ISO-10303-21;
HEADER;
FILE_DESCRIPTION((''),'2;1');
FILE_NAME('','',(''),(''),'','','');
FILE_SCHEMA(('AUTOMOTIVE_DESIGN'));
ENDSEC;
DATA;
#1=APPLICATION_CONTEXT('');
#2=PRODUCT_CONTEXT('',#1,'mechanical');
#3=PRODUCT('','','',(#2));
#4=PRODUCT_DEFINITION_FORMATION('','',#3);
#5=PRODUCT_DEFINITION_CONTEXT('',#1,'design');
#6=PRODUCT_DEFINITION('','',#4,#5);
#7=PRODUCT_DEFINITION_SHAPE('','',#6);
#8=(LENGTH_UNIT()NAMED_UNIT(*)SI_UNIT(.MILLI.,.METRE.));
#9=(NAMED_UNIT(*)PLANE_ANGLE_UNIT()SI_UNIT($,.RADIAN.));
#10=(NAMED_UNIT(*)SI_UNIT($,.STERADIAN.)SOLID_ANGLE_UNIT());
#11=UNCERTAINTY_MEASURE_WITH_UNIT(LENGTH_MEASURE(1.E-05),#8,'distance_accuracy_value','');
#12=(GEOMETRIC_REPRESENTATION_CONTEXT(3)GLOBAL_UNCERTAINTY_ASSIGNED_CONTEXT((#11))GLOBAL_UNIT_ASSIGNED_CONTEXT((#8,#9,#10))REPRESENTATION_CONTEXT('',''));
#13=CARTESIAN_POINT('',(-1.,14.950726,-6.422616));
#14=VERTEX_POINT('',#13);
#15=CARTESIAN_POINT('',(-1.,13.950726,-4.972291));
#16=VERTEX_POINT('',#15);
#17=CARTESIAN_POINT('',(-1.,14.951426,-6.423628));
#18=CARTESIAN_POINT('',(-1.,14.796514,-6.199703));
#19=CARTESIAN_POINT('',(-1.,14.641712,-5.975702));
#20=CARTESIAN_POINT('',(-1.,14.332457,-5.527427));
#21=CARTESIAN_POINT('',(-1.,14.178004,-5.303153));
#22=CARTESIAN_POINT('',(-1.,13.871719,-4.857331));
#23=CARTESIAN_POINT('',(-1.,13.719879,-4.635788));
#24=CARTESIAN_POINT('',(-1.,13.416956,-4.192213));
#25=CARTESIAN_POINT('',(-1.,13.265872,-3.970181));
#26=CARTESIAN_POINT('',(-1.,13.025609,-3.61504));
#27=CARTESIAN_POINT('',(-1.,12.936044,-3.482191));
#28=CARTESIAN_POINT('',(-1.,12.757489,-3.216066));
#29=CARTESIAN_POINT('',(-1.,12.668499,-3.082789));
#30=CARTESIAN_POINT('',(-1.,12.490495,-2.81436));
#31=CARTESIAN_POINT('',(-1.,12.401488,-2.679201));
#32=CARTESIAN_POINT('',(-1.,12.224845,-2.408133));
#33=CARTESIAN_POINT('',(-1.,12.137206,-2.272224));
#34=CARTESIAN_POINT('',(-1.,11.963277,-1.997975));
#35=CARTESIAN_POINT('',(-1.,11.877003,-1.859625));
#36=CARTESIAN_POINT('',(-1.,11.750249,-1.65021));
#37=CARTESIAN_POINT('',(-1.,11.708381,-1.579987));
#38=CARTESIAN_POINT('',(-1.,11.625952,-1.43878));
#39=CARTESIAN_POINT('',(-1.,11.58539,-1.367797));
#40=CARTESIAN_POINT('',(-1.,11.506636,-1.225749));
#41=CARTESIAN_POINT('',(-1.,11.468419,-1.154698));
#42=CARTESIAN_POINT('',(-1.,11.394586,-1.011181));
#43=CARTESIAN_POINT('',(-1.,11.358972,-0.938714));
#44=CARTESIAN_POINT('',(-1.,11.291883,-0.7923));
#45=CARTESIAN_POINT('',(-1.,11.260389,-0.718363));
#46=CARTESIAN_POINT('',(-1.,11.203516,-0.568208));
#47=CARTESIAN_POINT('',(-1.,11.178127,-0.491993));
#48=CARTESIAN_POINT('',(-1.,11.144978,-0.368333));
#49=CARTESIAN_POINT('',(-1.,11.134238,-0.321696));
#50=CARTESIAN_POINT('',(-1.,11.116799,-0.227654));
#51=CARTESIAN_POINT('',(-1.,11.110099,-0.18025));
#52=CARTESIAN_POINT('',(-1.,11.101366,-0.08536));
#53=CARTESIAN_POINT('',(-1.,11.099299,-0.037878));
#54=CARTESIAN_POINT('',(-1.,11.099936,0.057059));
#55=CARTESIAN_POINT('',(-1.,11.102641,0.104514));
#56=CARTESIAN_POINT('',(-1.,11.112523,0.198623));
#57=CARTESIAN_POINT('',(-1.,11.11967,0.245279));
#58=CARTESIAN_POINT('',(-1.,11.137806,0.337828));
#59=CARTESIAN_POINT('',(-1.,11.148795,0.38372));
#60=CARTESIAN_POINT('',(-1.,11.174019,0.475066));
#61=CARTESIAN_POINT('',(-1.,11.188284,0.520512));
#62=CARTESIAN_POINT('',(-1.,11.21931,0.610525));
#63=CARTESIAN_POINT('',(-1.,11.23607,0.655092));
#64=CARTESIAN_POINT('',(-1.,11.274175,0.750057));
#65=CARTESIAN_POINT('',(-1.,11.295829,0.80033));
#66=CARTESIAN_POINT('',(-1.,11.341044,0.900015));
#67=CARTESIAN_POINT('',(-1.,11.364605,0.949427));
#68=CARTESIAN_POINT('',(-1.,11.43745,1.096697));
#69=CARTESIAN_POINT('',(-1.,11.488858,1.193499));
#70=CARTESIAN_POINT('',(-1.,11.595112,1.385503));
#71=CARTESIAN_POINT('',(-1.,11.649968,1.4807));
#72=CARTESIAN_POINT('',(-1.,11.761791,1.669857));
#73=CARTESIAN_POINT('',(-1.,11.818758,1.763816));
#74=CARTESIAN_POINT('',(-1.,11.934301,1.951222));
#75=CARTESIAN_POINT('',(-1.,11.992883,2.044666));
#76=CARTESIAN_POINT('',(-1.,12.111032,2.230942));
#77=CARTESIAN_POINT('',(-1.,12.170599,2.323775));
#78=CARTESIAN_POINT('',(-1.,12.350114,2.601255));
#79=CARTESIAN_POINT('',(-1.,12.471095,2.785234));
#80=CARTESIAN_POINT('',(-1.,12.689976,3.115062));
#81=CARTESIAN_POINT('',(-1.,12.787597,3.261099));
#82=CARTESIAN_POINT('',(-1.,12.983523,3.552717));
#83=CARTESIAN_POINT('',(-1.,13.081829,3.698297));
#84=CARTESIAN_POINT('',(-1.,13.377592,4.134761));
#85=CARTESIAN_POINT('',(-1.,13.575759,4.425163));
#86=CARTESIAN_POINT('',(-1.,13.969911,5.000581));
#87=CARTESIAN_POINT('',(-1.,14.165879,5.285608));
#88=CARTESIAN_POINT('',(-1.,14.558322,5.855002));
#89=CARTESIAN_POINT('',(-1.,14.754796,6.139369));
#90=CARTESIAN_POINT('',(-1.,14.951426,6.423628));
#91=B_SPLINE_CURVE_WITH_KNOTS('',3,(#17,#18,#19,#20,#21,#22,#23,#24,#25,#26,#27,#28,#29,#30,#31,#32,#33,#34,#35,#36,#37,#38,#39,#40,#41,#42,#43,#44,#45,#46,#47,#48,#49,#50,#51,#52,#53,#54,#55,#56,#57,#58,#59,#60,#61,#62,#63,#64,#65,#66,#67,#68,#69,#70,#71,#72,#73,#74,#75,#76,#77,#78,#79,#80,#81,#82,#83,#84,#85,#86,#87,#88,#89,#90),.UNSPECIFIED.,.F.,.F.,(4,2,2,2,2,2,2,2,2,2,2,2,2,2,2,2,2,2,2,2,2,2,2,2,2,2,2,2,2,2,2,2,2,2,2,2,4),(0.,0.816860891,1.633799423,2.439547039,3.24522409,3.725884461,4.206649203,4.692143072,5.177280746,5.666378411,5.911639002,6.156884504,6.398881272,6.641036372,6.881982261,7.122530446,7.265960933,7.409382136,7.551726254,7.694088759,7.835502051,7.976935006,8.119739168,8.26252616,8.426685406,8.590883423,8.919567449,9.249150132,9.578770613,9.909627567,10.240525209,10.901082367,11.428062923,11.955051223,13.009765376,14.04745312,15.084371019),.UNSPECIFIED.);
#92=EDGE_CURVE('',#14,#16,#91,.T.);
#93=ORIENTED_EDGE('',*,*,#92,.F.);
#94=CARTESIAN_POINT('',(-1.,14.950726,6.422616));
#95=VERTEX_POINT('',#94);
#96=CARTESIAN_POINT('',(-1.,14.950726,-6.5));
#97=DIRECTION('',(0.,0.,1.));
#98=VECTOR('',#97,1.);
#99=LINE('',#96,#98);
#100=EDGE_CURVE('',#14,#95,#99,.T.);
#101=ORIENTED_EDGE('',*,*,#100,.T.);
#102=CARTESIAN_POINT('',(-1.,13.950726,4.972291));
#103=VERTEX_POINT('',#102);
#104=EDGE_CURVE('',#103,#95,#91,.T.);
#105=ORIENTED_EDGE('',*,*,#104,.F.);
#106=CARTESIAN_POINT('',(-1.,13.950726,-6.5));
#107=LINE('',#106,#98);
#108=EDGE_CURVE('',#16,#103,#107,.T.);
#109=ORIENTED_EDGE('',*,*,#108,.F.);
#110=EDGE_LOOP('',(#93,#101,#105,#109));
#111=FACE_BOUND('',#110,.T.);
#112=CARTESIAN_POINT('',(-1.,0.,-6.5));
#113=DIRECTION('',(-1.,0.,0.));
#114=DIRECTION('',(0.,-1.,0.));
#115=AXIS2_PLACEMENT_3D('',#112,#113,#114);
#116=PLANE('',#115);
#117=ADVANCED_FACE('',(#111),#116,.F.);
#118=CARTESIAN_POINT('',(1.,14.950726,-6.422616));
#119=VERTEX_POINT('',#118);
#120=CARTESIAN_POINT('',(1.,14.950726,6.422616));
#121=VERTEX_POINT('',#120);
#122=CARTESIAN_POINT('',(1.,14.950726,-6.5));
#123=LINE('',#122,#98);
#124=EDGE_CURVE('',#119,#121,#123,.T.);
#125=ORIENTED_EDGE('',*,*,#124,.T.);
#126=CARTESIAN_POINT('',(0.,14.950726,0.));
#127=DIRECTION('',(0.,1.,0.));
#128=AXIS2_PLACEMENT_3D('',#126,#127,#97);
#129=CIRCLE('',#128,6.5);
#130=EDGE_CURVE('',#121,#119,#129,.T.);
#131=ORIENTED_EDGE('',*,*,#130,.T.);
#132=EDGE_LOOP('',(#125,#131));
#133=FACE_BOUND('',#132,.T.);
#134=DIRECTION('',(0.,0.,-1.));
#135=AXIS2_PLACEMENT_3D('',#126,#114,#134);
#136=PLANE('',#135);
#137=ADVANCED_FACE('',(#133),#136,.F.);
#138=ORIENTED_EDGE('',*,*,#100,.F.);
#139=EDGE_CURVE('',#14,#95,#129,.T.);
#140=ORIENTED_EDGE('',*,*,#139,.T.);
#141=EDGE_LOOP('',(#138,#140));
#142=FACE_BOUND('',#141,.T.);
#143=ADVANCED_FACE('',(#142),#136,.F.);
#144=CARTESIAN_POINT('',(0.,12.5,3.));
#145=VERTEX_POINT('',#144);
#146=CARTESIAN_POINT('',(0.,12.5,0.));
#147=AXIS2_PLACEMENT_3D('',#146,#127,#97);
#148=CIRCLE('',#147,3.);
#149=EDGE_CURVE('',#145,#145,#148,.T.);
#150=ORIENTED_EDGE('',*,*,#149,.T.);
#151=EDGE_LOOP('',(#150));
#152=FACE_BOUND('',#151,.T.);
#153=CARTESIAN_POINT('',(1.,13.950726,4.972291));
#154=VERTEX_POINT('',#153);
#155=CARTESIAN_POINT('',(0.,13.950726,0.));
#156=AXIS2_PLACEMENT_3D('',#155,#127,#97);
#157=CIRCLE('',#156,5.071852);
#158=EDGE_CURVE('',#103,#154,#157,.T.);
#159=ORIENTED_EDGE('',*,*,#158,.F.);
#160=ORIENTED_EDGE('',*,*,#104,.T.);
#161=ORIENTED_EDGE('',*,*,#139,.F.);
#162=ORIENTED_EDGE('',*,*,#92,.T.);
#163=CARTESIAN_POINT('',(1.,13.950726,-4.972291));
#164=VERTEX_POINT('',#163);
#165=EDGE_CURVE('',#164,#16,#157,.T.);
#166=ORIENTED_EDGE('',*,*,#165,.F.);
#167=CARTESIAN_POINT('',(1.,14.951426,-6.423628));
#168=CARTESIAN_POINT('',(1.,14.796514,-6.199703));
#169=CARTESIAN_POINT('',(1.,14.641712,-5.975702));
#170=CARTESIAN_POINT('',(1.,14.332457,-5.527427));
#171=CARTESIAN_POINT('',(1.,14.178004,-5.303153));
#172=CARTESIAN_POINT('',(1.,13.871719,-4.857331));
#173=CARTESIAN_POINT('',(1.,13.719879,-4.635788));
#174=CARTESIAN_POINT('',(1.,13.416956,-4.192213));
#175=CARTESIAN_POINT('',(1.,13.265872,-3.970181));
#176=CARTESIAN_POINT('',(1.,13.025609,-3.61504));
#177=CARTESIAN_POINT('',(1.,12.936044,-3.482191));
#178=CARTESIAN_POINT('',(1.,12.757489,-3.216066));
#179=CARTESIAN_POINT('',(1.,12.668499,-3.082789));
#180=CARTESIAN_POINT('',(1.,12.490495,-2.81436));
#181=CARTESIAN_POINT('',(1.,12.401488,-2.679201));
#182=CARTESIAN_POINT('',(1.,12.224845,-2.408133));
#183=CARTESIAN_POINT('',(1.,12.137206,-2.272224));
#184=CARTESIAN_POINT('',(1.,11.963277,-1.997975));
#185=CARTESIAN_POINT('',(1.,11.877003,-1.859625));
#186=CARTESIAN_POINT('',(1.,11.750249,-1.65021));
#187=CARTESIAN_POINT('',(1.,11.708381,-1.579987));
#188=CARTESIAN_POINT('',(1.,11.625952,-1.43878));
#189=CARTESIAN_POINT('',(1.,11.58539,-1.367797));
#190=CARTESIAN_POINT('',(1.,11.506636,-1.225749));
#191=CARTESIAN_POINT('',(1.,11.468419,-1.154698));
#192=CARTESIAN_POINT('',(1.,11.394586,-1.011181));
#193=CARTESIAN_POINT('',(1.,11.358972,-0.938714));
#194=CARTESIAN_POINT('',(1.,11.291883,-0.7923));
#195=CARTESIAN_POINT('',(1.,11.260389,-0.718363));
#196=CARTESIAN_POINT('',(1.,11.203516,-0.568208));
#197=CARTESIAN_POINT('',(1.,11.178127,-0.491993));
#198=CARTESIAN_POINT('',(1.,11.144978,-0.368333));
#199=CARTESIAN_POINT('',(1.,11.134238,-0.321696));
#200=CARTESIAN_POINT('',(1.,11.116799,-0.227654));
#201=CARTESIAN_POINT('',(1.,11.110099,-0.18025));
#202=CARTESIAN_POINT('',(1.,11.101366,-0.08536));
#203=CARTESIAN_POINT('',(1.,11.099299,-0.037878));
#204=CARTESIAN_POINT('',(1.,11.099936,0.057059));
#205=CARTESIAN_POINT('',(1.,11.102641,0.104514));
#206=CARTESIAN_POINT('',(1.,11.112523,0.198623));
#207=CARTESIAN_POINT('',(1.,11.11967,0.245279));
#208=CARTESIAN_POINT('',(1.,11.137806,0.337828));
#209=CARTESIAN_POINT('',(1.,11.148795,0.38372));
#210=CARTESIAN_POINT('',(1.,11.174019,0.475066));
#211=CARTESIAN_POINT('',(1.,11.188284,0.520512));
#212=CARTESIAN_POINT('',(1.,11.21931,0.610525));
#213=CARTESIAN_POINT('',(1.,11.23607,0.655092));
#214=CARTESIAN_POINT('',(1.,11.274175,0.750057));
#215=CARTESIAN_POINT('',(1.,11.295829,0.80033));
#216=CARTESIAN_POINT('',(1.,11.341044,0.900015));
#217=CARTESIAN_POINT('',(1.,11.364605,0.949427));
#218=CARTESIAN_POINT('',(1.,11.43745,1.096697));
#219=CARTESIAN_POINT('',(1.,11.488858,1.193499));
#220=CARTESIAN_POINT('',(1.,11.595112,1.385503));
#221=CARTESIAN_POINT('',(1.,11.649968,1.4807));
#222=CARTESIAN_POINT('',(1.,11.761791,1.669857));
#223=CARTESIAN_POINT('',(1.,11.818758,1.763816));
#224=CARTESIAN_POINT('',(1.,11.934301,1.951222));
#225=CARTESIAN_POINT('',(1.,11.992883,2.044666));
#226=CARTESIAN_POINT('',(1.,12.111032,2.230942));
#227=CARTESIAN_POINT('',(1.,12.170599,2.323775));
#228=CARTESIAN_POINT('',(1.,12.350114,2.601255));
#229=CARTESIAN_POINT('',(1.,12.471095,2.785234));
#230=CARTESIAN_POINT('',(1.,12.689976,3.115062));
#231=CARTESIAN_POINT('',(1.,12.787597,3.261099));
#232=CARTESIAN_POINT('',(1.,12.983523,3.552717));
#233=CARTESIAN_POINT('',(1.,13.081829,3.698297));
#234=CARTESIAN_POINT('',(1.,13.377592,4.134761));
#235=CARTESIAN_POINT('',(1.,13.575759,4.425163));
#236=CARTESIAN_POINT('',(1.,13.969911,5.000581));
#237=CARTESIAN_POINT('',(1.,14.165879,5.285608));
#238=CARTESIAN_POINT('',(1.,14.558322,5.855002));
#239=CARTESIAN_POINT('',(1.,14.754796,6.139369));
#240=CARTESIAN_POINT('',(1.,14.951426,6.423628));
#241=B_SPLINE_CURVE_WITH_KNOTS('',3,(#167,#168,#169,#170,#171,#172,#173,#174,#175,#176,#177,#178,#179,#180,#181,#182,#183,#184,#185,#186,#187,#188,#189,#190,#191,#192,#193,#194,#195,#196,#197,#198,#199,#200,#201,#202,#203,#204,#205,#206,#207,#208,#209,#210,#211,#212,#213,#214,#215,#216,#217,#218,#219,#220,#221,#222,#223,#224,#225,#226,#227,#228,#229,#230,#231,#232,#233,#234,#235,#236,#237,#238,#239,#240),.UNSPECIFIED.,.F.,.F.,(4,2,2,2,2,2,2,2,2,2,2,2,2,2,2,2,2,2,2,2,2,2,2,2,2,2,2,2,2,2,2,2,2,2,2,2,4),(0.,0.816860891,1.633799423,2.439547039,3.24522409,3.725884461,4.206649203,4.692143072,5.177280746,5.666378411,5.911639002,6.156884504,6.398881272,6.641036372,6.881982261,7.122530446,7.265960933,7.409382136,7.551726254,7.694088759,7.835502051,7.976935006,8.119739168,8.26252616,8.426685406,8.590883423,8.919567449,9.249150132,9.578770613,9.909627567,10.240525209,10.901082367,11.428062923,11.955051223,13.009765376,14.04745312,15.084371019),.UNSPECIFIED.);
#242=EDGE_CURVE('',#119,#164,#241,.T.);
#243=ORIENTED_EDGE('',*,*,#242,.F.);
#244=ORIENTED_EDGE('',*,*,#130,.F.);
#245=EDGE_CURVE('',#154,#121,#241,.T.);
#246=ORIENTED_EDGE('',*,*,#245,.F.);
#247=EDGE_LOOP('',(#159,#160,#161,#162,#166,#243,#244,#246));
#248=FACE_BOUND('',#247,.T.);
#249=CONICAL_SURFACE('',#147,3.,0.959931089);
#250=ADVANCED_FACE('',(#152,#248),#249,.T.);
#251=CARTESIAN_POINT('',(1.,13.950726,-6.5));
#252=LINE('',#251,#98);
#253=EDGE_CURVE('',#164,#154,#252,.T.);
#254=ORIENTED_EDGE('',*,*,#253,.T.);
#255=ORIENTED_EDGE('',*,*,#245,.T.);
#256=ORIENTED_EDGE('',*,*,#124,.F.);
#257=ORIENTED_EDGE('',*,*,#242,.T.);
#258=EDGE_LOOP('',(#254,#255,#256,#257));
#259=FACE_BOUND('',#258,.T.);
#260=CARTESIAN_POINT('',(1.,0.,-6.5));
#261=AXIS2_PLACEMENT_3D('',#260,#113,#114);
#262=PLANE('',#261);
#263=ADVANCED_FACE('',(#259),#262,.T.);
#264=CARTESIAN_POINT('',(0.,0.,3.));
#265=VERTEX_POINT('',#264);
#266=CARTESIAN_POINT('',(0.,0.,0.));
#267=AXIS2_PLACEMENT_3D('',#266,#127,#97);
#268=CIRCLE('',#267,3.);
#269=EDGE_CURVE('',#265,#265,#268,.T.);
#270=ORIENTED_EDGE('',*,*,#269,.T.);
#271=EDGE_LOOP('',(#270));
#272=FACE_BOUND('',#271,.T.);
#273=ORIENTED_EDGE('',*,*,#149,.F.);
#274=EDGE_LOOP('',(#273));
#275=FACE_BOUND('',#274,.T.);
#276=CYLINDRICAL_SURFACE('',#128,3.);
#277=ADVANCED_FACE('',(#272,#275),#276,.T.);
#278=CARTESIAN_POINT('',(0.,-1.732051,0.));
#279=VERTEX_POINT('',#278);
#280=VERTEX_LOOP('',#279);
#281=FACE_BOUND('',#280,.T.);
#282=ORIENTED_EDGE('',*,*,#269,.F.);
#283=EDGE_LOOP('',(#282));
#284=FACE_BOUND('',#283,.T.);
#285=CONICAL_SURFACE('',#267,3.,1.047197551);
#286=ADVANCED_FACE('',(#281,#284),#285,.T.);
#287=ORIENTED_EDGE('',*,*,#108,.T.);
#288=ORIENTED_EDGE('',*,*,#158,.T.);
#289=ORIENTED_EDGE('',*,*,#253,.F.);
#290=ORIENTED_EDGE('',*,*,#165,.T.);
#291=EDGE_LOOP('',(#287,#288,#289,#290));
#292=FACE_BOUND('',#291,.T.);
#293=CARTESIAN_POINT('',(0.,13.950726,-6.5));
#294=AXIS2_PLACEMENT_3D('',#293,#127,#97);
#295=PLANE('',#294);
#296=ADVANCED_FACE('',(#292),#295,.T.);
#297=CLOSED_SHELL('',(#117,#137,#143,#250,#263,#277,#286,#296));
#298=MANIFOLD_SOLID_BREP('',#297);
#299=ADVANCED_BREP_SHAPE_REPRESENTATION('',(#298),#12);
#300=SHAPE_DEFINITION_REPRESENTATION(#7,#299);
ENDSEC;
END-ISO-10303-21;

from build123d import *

# Parameters (mm, degrees)
CUT_EXTRUDE1_DEPTH      = 18.550618775
CUT_EXTRUDE1_DEPTH_BACK = 18.550618775
SKETCH1_4_W             = 2
SKETCH1_4_H             = 1


with BuildPart() as part:
    # Sketch1 → Revolve1 (revolve)
    with BuildSketch(Plane.XY):
        Polygon((0, -1.732050808), (3, 0), (3, 12.5), (6.5, 14.950726384), (0, 14.950726384), align=None)
    revolve(axis=Axis((0, 14.950726384, 0), (0, -1, 0)))

    # Sketch1<4> → Cut-Extrude1 (cut, two sides: drawn at the far end of the back side and taken through both)
    with BuildSketch(Plane.XY.offset(-CUT_EXTRUDE1_DEPTH_BACK)):
        with Locations((0, 14.450726384)):
            Rectangle(SKETCH1_4_W, SKETCH1_4_H)
    extrude(amount=CUT_EXTRUDE1_DEPTH + CUT_EXTRUDE1_DEPTH_BACK, mode=Mode.SUBTRACT)


solid = part.part
